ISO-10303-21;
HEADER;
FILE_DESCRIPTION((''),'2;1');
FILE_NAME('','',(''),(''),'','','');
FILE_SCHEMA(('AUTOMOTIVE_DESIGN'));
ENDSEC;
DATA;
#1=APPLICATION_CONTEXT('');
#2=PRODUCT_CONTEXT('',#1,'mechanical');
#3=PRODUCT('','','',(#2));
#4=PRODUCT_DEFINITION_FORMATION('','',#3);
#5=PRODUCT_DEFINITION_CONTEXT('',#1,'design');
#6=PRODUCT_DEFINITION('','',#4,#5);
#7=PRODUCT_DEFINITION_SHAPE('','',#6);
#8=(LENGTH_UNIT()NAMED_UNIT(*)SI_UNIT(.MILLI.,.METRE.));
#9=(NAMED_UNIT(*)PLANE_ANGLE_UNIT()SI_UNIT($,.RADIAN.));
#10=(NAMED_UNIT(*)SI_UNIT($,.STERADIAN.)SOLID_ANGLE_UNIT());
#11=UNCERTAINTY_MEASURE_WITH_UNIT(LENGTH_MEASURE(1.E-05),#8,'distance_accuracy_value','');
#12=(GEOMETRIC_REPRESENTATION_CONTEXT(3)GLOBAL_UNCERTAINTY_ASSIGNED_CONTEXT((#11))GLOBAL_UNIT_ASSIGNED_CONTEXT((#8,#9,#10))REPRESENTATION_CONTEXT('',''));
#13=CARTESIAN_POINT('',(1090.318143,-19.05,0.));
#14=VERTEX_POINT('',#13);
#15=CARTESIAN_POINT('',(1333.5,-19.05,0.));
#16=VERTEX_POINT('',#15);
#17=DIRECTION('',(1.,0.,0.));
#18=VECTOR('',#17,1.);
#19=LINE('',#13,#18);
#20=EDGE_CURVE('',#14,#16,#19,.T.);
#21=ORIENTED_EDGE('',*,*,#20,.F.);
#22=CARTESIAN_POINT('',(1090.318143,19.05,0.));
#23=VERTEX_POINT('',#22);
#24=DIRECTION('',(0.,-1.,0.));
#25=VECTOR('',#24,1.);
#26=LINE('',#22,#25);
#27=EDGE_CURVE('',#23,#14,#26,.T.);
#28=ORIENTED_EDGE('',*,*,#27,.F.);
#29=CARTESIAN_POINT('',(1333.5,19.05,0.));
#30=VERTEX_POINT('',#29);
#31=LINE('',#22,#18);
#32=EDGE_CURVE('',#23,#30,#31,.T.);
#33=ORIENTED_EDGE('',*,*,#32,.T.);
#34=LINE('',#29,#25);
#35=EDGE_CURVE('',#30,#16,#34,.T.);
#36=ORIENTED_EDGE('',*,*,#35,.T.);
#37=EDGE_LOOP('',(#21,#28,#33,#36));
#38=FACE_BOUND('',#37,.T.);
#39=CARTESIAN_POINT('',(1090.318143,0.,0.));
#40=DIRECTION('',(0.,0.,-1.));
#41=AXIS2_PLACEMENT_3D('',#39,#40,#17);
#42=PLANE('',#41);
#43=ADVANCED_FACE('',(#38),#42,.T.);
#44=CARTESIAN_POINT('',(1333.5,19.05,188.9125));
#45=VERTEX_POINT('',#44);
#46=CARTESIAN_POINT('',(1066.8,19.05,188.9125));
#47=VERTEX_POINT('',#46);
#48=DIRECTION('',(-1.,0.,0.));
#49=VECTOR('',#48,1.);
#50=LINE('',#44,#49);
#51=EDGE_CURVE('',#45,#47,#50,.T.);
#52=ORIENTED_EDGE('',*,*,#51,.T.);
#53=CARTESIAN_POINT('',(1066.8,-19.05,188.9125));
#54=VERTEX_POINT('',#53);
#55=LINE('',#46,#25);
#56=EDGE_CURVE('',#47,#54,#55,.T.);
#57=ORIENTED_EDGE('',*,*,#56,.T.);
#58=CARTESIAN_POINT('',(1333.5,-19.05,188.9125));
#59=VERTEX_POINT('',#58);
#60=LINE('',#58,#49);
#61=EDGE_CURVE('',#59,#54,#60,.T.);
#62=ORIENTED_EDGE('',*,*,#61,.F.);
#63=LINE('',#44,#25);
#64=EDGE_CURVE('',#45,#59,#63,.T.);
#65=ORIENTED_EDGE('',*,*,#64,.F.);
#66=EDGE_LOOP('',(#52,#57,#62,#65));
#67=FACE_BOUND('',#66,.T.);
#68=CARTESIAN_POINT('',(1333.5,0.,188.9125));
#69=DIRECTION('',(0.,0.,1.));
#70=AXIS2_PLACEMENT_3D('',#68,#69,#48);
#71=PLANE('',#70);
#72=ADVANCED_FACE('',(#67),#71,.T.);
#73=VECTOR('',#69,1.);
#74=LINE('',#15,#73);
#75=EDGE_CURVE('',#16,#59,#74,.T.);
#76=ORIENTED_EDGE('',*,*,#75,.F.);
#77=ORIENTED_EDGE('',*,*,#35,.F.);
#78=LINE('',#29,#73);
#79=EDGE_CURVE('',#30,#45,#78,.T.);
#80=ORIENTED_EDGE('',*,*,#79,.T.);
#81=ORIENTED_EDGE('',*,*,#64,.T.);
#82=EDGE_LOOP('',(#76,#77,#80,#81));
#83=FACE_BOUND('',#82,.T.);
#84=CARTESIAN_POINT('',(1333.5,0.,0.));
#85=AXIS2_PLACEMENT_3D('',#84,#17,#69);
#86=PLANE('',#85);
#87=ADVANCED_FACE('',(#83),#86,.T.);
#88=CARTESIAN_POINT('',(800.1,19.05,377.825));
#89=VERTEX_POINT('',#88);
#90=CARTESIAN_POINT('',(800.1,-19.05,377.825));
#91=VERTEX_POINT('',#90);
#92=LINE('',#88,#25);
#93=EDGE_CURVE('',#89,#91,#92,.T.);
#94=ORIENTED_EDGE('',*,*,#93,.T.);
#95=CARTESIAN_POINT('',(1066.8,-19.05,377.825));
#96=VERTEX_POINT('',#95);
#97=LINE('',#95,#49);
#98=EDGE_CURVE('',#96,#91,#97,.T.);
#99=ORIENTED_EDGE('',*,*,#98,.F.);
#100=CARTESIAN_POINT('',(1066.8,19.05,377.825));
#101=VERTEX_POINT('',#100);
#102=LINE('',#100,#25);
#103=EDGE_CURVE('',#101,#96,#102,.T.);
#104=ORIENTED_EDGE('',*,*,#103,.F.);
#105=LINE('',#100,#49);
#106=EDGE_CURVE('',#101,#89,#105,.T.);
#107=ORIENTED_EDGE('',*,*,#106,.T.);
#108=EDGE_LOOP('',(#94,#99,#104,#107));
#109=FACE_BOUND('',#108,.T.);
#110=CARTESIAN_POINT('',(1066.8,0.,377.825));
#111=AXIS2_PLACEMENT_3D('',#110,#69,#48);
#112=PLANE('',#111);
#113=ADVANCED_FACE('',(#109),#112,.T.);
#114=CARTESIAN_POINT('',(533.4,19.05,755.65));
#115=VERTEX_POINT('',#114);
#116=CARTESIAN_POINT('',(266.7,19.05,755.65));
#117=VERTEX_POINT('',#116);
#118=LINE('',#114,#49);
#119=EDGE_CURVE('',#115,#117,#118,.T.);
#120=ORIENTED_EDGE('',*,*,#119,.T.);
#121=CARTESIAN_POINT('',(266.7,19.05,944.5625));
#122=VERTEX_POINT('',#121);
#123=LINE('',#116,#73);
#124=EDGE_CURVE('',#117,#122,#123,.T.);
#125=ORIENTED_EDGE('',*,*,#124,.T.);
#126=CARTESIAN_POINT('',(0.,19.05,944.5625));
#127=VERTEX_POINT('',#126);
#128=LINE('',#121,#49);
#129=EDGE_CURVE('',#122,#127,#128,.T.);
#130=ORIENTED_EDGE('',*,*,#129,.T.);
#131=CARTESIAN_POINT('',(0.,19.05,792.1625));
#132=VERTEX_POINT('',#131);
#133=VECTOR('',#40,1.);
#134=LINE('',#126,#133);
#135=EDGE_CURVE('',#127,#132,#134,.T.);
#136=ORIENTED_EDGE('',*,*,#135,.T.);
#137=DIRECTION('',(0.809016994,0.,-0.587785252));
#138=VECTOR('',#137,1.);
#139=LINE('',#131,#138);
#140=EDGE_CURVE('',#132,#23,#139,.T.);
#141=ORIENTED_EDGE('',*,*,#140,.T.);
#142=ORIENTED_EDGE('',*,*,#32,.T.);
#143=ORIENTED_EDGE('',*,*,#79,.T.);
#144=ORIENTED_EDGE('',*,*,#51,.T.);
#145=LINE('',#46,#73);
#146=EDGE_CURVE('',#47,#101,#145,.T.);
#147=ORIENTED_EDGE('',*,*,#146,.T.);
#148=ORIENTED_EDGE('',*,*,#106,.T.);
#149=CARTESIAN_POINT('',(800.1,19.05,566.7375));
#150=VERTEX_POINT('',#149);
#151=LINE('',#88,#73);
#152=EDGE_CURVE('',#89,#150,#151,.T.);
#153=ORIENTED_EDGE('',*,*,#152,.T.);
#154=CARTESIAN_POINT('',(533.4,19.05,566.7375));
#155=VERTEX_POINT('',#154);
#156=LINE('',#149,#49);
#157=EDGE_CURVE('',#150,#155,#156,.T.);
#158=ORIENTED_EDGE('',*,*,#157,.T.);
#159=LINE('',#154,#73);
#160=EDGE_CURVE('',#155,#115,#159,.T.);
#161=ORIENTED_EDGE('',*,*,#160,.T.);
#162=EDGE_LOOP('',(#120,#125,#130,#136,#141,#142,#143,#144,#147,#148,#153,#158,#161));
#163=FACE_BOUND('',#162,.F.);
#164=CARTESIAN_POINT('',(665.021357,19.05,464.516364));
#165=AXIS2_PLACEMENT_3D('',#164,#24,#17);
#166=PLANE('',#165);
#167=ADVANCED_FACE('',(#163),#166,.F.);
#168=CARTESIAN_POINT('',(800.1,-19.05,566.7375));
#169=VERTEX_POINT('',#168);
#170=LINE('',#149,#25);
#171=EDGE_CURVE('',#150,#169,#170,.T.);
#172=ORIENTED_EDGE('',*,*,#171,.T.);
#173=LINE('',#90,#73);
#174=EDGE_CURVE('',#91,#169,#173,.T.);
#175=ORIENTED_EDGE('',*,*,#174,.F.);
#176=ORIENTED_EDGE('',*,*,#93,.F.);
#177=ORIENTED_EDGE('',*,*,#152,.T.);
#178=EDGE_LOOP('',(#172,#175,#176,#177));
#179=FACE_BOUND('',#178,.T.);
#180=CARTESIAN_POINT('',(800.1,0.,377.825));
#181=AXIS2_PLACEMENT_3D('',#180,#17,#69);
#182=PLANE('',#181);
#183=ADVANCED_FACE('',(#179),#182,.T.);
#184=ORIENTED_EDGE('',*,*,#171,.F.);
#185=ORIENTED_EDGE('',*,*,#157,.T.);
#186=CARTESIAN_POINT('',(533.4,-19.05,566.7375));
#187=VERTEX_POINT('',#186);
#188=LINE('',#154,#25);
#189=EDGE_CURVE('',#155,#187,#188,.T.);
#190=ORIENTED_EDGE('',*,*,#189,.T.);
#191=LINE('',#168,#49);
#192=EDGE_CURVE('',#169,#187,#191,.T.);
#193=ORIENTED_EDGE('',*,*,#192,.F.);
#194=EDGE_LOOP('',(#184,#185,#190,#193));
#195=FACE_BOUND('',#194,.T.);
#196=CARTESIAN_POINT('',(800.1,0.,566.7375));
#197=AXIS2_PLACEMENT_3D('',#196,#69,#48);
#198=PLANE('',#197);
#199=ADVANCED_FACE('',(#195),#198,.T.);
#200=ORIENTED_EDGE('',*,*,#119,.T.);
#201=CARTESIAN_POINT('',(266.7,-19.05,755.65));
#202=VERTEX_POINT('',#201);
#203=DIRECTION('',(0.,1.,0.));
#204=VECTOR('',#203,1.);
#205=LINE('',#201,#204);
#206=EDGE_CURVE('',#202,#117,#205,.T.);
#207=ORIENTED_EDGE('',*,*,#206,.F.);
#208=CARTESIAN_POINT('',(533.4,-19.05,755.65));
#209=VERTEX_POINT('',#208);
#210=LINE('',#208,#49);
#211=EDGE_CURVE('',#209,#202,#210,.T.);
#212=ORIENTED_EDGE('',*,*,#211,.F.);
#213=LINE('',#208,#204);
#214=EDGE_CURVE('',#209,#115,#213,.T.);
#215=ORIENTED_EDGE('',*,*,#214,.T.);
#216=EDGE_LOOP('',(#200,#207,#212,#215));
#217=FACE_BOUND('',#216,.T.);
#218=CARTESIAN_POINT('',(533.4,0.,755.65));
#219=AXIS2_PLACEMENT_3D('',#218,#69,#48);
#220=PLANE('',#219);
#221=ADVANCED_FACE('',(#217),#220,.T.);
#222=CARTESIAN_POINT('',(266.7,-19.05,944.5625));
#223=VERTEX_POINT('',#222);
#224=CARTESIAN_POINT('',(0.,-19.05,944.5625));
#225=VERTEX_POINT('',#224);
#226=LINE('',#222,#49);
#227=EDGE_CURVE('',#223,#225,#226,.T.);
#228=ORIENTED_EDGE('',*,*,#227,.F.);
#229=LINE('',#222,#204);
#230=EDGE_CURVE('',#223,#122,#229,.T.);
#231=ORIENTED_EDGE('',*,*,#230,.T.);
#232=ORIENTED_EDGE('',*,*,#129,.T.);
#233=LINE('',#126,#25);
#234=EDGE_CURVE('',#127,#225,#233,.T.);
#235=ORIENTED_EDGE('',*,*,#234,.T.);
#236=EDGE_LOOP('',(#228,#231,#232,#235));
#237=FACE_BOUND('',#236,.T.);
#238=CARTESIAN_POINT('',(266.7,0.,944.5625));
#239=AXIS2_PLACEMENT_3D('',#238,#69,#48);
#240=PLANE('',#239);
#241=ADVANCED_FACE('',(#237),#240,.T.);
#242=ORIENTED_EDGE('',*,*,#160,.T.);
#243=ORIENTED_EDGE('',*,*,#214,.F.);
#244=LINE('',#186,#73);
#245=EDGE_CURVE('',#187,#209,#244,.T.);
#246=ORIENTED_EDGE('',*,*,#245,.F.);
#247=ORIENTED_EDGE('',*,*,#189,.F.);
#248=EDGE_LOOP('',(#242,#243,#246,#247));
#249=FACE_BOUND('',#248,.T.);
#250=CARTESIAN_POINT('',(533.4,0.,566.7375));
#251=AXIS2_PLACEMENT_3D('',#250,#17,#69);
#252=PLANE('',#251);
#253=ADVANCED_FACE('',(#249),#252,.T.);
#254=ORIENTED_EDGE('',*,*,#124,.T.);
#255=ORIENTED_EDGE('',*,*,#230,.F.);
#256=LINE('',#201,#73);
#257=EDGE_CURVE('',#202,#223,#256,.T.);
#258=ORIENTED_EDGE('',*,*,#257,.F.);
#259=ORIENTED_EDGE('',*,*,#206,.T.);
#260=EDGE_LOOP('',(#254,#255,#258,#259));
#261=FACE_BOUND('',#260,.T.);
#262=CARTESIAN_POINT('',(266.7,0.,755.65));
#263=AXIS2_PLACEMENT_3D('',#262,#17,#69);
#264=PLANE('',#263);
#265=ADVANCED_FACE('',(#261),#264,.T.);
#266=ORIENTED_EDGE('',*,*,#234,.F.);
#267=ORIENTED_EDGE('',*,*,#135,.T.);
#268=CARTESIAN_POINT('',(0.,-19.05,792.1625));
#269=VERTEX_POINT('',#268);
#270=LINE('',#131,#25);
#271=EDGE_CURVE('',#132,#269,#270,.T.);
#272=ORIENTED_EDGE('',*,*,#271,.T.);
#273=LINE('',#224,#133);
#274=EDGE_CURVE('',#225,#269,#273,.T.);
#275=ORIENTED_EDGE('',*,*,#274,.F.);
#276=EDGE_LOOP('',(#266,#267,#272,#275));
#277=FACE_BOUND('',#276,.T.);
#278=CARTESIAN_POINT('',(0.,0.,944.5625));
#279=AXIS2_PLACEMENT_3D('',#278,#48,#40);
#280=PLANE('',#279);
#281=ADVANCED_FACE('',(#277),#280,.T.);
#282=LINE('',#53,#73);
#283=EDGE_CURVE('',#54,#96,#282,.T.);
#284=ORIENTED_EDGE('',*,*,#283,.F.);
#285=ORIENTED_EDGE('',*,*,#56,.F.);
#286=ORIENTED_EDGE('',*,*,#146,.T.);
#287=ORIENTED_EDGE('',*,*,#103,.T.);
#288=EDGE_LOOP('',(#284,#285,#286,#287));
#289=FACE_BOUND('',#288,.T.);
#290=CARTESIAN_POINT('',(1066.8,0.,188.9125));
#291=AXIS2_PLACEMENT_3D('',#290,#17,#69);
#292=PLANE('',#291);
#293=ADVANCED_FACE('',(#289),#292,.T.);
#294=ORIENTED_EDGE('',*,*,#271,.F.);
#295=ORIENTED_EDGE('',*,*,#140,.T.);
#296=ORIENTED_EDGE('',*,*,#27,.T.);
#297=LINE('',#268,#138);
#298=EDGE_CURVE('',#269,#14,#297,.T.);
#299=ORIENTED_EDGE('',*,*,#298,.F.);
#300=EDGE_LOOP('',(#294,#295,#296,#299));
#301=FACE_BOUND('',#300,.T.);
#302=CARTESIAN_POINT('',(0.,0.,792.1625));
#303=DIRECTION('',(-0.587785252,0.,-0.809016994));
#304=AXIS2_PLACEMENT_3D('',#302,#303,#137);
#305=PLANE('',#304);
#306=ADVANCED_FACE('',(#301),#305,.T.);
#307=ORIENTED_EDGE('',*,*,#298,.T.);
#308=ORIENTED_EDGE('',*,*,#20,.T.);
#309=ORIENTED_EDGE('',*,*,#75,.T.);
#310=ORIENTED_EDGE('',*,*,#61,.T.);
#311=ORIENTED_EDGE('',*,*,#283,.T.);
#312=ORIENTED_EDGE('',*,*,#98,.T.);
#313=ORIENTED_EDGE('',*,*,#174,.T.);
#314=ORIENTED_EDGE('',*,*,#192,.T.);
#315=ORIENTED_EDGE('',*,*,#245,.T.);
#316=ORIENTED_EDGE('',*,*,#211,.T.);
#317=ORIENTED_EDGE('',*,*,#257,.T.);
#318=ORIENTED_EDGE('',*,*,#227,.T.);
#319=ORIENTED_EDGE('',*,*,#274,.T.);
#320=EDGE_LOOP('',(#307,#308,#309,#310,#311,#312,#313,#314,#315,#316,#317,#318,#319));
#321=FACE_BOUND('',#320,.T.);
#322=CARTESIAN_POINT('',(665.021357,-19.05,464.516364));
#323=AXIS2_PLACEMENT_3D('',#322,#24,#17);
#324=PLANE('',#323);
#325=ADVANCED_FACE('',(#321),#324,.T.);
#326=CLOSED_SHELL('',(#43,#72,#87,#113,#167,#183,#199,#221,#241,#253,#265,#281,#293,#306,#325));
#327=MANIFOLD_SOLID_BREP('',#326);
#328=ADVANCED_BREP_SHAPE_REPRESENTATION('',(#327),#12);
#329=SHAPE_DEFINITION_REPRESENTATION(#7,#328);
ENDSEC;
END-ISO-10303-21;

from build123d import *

# Parameters (mm, degrees)
F1_DEPTH = 19.05


with BuildPart() as f1:
    # F0 (on Front) → F1 (new body, symmetric)
    with BuildSketch(Plane.XZ):
        Polygon((266.7, 944.5625), (0, 944.5625), (0, 792.1625), (1090.318143, 0), (1333.5, 0), (1333.5, 188.9125), (1066.8, 188.9125), (1066.8, 377.825), (800.1, 377.825), (800.1, 566.7375), (533.4, 566.7375), (533.4, 755.65), (266.7, 755.65), align=None)
    extrude(amount=F1_DEPTH, both=True)


solid = f1.part
